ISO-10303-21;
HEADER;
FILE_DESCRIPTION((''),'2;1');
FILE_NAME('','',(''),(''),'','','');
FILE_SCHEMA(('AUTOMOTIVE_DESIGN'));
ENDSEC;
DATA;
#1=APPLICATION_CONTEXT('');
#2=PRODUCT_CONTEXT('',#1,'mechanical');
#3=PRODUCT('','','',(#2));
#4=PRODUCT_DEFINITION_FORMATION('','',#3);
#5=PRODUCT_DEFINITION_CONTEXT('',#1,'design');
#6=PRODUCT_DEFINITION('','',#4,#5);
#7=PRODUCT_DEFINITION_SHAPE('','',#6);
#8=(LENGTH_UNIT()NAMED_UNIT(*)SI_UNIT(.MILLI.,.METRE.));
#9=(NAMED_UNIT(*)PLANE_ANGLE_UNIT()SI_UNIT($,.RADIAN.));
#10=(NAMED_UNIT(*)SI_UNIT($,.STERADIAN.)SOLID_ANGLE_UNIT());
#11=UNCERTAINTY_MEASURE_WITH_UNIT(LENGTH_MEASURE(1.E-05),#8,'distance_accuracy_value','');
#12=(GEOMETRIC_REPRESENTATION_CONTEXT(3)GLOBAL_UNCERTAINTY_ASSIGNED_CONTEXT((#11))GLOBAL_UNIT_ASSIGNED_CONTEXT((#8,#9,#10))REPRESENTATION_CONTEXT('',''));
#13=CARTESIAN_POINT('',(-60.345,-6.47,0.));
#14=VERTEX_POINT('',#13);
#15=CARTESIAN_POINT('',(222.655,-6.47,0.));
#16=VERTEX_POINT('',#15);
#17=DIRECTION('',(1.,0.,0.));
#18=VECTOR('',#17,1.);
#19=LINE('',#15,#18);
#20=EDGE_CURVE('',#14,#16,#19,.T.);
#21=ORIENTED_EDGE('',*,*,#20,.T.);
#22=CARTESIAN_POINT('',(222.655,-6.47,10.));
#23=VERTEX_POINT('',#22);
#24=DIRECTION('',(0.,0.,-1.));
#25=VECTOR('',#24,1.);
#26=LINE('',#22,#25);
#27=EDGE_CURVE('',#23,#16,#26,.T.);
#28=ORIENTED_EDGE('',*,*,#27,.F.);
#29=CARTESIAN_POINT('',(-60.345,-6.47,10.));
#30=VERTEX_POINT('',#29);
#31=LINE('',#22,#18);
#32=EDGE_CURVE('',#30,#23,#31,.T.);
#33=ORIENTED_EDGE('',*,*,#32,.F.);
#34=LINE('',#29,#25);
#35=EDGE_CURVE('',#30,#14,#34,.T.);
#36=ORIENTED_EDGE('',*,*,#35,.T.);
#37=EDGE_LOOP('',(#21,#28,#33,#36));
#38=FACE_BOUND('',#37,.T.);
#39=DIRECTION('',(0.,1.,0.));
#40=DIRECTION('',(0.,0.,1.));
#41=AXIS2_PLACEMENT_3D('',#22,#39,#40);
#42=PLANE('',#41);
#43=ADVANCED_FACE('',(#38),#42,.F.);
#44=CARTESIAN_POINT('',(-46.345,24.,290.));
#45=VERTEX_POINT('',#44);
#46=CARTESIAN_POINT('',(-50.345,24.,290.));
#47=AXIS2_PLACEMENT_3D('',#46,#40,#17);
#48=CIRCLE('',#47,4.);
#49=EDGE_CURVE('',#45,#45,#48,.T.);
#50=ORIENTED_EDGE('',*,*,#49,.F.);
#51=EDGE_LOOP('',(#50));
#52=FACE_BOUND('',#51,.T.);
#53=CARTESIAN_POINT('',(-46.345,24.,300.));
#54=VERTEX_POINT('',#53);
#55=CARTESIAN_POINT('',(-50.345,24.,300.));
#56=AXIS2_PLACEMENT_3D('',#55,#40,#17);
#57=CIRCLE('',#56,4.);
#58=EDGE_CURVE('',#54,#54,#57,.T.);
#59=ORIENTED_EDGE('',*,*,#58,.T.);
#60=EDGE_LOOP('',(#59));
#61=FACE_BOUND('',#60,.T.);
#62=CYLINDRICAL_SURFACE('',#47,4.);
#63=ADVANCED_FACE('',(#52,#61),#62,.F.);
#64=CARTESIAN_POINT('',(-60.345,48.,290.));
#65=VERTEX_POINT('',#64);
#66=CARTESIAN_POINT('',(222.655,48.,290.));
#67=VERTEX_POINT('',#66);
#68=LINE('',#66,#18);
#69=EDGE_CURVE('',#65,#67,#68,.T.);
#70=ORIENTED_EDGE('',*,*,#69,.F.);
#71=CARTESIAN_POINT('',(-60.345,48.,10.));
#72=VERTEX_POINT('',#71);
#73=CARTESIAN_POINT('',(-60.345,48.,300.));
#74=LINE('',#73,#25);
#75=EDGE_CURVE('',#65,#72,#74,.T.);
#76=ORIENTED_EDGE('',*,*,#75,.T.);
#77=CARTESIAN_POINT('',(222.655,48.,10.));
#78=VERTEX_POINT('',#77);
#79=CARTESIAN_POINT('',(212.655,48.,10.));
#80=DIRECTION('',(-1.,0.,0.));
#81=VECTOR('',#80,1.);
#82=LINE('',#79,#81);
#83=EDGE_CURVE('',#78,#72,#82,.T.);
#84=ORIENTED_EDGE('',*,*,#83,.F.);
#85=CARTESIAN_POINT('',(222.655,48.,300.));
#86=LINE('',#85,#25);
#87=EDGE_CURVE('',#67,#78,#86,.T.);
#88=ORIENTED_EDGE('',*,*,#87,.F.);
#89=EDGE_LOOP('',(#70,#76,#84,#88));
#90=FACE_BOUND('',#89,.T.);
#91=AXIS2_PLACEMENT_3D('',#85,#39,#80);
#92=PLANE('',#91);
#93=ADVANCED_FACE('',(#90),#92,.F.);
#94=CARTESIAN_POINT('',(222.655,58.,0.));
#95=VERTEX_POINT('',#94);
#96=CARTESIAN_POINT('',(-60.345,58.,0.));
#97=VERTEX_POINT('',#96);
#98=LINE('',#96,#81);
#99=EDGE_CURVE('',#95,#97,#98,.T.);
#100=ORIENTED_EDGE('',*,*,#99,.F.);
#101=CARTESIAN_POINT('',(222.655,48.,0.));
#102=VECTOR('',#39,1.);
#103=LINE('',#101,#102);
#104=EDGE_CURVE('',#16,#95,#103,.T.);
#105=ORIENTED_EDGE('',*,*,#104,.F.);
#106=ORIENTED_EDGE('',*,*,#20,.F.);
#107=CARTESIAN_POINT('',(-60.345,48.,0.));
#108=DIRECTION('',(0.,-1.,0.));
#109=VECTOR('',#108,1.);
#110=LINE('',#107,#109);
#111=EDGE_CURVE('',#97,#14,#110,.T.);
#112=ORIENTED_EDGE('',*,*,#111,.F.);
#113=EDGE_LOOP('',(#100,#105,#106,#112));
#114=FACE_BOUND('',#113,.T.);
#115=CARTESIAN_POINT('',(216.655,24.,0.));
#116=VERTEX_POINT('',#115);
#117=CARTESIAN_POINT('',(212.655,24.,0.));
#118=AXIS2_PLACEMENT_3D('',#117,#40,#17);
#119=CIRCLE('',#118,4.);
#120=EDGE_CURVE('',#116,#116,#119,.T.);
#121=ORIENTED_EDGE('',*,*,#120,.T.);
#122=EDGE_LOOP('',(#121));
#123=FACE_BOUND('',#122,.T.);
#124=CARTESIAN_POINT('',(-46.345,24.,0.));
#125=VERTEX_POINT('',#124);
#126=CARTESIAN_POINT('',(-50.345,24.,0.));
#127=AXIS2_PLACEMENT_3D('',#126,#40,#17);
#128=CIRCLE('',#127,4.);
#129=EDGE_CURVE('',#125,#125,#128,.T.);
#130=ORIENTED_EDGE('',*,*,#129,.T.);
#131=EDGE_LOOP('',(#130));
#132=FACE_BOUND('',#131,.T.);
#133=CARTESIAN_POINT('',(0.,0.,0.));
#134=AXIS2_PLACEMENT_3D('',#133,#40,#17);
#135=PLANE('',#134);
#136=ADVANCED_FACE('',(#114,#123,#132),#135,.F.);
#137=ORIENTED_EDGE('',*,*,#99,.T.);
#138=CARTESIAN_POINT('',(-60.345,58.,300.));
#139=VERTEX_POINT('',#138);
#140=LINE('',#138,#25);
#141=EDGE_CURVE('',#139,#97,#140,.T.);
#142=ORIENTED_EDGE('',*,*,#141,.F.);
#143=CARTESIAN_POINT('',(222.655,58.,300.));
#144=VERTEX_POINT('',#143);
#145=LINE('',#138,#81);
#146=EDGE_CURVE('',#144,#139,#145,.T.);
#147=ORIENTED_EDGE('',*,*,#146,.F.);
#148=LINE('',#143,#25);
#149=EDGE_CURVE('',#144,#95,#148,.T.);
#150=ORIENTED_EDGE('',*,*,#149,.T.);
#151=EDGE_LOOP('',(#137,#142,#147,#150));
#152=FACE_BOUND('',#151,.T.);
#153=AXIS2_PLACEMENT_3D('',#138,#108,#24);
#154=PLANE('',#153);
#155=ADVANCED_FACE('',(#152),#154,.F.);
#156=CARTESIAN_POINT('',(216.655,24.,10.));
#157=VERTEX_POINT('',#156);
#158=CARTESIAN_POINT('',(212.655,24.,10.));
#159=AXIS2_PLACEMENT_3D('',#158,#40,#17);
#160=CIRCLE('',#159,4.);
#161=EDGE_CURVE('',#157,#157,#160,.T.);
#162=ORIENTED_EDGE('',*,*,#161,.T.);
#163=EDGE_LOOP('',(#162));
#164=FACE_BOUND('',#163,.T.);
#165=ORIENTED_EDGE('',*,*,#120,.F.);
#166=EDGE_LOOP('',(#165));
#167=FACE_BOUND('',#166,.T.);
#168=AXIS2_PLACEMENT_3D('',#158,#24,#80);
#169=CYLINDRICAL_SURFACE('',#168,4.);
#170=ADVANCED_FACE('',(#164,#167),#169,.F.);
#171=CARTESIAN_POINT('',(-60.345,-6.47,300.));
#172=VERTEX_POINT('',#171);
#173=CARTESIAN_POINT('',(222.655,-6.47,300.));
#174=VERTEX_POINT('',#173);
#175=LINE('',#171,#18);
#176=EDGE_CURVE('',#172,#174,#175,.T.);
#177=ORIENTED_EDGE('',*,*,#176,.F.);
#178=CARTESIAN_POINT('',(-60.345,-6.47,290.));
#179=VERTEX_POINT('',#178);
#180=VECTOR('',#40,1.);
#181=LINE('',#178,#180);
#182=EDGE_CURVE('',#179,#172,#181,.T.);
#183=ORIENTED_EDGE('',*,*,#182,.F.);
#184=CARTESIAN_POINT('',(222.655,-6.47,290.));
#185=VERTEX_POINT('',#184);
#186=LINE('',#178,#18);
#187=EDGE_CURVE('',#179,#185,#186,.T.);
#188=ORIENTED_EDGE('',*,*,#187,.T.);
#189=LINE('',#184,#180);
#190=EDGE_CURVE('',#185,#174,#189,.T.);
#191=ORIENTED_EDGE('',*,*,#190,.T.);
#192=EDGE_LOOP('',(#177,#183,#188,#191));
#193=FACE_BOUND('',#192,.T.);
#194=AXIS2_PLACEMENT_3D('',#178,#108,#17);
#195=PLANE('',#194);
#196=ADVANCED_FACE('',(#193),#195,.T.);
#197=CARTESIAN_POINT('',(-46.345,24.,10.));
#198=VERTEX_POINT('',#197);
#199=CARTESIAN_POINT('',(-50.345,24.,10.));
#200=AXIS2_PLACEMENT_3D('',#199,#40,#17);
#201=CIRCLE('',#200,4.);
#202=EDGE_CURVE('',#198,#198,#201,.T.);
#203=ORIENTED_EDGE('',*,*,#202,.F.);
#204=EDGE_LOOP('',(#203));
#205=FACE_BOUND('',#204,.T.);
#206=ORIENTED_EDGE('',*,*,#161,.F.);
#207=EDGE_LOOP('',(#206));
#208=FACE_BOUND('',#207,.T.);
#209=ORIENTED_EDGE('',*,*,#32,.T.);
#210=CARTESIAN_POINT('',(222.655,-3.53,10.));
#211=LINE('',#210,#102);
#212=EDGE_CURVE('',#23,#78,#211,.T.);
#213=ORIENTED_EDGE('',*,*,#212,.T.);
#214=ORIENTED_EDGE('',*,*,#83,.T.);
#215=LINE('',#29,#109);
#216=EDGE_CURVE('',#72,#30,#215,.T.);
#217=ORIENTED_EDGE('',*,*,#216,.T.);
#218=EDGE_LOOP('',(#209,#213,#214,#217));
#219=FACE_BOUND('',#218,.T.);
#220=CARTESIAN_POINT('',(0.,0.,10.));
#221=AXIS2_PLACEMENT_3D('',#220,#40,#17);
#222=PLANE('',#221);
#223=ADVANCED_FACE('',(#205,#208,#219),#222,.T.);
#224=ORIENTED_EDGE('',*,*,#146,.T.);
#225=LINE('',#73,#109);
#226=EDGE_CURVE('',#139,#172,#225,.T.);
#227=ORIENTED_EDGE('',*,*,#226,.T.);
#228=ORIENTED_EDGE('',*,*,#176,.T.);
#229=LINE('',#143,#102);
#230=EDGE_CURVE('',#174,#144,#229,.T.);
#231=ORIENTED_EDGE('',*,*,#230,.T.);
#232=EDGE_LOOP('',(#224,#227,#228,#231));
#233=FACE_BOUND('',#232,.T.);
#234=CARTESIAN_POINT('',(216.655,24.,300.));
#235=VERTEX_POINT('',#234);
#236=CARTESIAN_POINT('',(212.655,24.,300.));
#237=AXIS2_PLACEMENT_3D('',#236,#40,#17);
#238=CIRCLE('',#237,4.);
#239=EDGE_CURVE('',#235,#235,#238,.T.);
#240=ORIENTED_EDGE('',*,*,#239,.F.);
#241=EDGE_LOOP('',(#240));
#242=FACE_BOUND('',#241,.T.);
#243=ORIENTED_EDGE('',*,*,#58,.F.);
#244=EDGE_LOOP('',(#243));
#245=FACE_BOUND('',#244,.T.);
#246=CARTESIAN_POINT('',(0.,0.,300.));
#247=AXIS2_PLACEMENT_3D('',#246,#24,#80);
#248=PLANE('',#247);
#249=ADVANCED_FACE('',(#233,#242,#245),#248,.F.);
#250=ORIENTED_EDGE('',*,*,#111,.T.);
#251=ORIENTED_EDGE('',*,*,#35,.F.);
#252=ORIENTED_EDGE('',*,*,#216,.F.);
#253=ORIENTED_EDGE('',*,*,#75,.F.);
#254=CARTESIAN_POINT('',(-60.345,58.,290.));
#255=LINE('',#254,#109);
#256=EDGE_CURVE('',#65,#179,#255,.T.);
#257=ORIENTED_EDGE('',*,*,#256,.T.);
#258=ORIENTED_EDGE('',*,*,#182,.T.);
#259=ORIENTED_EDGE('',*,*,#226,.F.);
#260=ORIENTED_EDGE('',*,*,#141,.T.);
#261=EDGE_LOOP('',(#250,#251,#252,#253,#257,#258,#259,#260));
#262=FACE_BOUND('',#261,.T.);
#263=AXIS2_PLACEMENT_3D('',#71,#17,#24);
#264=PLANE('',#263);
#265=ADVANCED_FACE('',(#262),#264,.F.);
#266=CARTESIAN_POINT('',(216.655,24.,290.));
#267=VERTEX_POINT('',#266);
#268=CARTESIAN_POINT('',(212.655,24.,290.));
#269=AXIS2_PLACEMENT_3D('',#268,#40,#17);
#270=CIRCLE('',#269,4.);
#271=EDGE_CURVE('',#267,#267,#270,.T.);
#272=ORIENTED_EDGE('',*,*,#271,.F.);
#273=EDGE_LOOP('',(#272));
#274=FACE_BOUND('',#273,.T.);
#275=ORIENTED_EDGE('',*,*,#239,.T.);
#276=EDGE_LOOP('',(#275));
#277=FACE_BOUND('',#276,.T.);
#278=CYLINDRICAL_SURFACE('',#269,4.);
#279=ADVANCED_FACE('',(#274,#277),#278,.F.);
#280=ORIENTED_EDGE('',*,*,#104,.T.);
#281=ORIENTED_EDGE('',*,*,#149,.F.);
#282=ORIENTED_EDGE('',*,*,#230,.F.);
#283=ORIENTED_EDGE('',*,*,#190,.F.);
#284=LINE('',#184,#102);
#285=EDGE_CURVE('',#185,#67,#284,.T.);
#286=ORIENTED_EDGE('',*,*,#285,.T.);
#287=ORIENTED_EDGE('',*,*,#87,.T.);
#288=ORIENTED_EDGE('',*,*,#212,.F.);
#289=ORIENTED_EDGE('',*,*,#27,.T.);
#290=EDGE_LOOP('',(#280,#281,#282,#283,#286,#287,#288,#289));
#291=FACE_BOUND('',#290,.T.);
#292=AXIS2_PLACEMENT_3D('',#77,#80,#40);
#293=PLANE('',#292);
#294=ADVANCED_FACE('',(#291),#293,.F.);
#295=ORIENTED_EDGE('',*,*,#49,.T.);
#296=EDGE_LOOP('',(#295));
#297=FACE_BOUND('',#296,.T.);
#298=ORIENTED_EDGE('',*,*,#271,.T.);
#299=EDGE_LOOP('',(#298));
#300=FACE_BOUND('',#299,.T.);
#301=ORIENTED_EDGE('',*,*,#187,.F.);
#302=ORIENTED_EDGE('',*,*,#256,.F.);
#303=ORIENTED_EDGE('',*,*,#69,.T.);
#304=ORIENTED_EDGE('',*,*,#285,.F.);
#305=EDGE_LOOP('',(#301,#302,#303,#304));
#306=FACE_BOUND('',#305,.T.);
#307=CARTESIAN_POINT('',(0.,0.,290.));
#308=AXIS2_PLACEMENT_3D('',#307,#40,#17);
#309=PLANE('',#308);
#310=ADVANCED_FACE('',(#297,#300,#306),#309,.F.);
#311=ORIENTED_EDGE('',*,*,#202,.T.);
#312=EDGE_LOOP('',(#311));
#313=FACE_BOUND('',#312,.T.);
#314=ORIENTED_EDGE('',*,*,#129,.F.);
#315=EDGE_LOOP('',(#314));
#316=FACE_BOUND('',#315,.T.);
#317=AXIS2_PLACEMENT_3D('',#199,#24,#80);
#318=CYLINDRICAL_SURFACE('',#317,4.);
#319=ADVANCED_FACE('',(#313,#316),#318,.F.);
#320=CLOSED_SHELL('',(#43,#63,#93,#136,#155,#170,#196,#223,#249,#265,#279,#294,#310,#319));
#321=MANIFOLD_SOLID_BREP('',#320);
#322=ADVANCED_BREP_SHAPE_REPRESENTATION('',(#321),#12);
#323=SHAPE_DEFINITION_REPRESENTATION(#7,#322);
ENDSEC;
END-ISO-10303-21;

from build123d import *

# Parameters (mm, degrees)
SKETCH_2_R      = 4
EXTRUDE_1_DEPTH = 10
SKETCH_3_W      = 283
SKETCH_3_H      = 10
EXTRUDE_5_DEPTH = 300
SKETCH_6_W      = 283
SKETCH_6_H      = 64.47
SKETCH_6_R      = 4
EXTRUDE_7_DEPTH = 10


with BuildPart() as part:
    # 草图2 → 凸台-拉伸1 (new body)
    with BuildSketch(Plane.XY):
        Polygon((212.655000043, 48), (-50.344999957, 48), (-60.344999957, 48), (-60.344999957, -3.53), (-60.344999957, -6.47), (222.655000043, -6.47), (222.655000043, -3.53), (222.655000043, 48), align=None)
        with Locations((212.655000043, 24)):
            Circle(SKETCH_2_R, mode=Mode.SUBTRACT)
        with Locations((-50.344999957, 24)):
            Circle(SKETCH_2_R, mode=Mode.SUBTRACT)
    extrude(amount=EXTRUDE_1_DEPTH)

    # 草图3 → 凸台-拉伸5 (add)
    with BuildSketch(Plane.XY):
        with Locations((81.155000043, 53)):
            Rectangle(SKETCH_3_W, SKETCH_3_H)
    extrude(amount=EXTRUDE_5_DEPTH)

    # 草图6 → 凸台-拉伸7 (add)
    with BuildSketch(Plane.XY.offset(300)):
        with Locations((81.155000043, 25.765)):
            Rectangle(SKETCH_6_W, SKETCH_6_H)
        with Locations((-50.344999957, 24)):
            Circle(SKETCH_6_R, mode=Mode.SUBTRACT)
        with Locations((212.655000043, 24)):
            Circle(SKETCH_6_R, mode=Mode.SUBTRACT)
    extrude(amount=-EXTRUDE_7_DEPTH)


solid = part.part
